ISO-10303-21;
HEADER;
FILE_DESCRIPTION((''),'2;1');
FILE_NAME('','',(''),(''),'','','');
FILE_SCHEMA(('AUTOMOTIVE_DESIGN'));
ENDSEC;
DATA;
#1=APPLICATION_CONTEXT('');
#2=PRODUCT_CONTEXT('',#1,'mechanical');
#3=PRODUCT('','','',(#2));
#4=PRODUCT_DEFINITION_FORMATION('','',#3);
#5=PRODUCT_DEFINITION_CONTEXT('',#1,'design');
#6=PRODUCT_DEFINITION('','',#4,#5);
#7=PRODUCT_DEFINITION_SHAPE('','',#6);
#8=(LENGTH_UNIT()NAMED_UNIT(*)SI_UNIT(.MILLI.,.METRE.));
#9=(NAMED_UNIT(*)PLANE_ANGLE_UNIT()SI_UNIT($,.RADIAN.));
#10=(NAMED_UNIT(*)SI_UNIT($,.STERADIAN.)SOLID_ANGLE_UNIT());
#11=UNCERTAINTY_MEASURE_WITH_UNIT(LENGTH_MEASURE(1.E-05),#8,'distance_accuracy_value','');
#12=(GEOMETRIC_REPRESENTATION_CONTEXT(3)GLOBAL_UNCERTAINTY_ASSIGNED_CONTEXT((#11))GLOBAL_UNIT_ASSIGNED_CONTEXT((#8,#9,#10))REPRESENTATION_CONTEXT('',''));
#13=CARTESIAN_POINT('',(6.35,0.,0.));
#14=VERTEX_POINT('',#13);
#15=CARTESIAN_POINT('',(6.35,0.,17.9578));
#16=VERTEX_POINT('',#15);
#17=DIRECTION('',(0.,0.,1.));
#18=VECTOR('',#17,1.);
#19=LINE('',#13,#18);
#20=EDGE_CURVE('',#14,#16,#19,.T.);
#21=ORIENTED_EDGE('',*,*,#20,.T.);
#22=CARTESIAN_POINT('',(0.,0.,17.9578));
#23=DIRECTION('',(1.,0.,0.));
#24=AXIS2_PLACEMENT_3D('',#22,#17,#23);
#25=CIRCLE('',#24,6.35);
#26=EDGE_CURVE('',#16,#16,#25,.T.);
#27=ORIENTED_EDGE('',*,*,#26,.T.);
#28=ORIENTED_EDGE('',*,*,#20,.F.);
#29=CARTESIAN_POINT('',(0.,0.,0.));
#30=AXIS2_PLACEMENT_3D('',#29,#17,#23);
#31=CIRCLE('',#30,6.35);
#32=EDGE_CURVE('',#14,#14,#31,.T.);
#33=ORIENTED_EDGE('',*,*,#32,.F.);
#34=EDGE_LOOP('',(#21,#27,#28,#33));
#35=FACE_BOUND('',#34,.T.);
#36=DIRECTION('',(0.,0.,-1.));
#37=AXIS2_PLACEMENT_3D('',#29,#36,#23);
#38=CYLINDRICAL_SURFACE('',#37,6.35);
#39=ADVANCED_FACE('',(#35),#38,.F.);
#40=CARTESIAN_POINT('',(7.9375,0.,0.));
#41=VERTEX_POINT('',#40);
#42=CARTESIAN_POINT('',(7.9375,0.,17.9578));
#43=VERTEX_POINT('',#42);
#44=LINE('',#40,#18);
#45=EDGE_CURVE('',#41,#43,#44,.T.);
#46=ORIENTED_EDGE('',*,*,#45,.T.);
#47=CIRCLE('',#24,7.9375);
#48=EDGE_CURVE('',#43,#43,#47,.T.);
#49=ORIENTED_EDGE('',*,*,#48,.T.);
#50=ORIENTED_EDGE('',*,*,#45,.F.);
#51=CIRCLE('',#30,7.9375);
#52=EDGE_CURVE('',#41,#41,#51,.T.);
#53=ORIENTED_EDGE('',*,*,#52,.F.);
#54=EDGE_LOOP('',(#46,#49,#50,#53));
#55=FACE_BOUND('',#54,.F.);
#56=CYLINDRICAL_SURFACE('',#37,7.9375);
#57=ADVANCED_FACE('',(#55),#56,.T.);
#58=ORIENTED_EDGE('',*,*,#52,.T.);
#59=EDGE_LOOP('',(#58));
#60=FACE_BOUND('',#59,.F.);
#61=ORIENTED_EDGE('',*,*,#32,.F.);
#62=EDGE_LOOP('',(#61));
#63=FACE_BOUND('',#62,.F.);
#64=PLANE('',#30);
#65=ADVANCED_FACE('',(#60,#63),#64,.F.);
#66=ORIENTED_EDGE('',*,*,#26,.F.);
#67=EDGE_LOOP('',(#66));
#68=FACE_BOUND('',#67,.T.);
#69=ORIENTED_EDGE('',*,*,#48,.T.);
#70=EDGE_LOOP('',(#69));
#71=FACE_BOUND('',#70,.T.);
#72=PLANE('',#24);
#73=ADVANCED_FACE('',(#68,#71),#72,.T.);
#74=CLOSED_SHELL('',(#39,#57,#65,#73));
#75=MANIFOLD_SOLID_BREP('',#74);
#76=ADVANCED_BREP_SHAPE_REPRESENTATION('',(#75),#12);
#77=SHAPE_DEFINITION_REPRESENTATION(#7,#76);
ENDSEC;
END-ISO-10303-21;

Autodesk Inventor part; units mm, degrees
ref_plane "YZ Plane" through (0, 0, 0) normal (1, 0, 0) x (0, 1, 0)
ref_plane "XZ Plane" through (0, 0, 0) normal (0, 1, 0) x (-1, 0, 0)
ref_plane "XY Plane" through (0, 0, 0) normal (0, 0, 1) x (1, 0, 0)
sketch "Sketch1" plane through (0, 0, 0) normal (0, 0, 1) x (1, 0, 0)
  circle A0 centre (0, 0) radius 6.35
  circle A1 centre (0, 0) radius 7.9375
  dimension "d0" = 12.7
  dimension "d1" = 15.875
extrude "Extrusion1" add sketch "Sketch1" along normal blind 17.9578
properties part number "Aluminum Shaft Spacer P2" material "Aluminum-6061"
